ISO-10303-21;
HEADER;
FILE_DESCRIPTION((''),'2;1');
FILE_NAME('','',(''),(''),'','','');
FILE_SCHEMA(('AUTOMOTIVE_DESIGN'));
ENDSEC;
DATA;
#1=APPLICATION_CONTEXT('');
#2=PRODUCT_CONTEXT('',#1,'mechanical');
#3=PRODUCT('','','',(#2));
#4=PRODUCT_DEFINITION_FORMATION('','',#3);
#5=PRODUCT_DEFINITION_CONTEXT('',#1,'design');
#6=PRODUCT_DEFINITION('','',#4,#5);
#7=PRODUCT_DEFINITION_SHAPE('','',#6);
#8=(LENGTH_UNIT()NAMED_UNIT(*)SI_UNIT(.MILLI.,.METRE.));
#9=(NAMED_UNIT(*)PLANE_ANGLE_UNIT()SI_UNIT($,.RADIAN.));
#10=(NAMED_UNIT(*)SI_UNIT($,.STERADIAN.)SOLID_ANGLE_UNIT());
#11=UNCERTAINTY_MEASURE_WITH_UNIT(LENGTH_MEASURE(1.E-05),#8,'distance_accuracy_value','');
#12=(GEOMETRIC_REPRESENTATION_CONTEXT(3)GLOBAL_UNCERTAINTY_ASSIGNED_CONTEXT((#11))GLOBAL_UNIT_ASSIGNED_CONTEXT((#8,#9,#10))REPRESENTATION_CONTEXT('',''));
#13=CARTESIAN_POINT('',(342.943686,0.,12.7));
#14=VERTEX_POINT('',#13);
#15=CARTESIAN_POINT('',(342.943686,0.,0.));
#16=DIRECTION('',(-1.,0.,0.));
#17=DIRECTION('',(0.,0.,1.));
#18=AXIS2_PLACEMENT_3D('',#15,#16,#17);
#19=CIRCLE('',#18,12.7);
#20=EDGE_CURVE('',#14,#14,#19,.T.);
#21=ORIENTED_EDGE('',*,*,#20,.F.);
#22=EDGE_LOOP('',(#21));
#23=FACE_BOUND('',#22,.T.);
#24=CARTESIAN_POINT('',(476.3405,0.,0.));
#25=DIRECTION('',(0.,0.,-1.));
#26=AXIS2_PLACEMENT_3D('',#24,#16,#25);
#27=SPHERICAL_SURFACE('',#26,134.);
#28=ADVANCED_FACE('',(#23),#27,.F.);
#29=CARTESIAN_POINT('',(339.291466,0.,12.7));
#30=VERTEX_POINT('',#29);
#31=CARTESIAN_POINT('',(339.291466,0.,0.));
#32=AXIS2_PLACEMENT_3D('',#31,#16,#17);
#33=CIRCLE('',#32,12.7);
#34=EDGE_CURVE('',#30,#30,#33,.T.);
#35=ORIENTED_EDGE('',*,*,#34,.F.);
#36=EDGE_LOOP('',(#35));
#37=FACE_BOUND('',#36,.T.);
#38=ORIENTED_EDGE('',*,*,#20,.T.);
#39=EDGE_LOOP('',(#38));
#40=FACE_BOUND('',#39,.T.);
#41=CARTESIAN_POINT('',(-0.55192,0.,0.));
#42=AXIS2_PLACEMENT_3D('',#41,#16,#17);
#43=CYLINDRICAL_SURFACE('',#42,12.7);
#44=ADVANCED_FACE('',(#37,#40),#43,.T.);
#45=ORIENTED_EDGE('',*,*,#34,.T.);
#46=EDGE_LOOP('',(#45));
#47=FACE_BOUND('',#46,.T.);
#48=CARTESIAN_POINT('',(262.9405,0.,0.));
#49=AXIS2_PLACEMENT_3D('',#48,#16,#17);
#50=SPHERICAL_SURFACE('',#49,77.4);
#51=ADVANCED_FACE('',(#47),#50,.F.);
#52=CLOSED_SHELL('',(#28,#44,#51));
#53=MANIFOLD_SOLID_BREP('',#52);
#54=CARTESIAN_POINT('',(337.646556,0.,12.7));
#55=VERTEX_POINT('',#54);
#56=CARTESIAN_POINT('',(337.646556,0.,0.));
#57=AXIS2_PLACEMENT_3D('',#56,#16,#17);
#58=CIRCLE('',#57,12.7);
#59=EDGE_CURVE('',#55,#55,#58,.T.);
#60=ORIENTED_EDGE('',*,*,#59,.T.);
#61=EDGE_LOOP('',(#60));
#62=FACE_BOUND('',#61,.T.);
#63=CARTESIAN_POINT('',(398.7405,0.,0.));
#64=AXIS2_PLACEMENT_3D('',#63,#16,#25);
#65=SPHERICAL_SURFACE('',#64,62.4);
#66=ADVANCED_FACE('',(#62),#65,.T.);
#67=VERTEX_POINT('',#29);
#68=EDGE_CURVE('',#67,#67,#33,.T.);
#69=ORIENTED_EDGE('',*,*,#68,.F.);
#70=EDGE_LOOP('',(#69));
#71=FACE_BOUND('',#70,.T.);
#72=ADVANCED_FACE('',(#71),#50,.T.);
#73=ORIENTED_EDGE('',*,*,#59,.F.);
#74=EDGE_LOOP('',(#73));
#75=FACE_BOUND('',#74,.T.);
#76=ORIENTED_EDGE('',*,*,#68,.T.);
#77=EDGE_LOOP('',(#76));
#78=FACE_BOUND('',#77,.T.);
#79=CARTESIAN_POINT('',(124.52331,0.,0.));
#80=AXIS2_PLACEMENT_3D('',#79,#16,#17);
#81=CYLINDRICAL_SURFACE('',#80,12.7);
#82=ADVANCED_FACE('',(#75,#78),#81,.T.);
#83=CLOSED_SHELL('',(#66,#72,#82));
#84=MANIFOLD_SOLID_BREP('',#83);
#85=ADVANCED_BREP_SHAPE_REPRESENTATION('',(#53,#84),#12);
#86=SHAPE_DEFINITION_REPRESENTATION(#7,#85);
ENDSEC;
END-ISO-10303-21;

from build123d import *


with BuildPart() as part:
    # 草图1 one side → 旋转1 (revolve)
    with BuildSketch(Plane(origin=(0, 0, 0), x_dir=(1, 0, 0), z_dir=(0, 1, 0)), mode=Mode.PRIVATE) as revolve_1_sk:
        with BuildLine():
            ThreePointArc((337.646555739, 12.7), (336.667872536, 6.383490075), (336.340499792, 0))
            Line((336.340499792, 0), (340.340499792, 0))
            ThreePointArc((340.340499792, 0), (340.077795453, 6.371626018), (339.291465732, 12.7))
            Line((339.291465732, 12.7), (337.646555739, 12.7))
        make_face()
    revolve(revolve_1_sk.sketch.rotate(Axis((124.523309526, 0, 0), (1, 0, 0)), 180), axis=Axis((124.523309526, 0, 0), (1, 0, 0)))  # turned: the seam where the file's is


with BuildPart() as body_2:
    # 草图2 one side → 旋转3 (revolve)
    with BuildSketch(Plane(origin=(0, 0, 0), x_dir=(1, 0, 0), z_dir=(0, 1, 0)), mode=Mode.PRIVATE) as revolve_3_sk:
        with BuildLine():
            Line((342.943685737, 12.7), (339.291465732, 12.7))
            ThreePointArc((339.291465732, 12.7), (340.077795453, 6.371626018), (340.340499792, 0))
            Line((340.340499792, 0), (342.340499792, 0))
            ThreePointArc((342.340499792, 0), (342.491381223, 6.357158038), (342.943685737, 12.7))
        make_face()
    revolve(revolve_3_sk.sketch.rotate(Axis((-0.551919993, 0, 0), (1, 0, 0)), 180), axis=Axis((-0.551919993, 0, 0), (1, 0, 0)))  # turned: the seam where the file's is


solid = Compound([part.part, body_2.part])
